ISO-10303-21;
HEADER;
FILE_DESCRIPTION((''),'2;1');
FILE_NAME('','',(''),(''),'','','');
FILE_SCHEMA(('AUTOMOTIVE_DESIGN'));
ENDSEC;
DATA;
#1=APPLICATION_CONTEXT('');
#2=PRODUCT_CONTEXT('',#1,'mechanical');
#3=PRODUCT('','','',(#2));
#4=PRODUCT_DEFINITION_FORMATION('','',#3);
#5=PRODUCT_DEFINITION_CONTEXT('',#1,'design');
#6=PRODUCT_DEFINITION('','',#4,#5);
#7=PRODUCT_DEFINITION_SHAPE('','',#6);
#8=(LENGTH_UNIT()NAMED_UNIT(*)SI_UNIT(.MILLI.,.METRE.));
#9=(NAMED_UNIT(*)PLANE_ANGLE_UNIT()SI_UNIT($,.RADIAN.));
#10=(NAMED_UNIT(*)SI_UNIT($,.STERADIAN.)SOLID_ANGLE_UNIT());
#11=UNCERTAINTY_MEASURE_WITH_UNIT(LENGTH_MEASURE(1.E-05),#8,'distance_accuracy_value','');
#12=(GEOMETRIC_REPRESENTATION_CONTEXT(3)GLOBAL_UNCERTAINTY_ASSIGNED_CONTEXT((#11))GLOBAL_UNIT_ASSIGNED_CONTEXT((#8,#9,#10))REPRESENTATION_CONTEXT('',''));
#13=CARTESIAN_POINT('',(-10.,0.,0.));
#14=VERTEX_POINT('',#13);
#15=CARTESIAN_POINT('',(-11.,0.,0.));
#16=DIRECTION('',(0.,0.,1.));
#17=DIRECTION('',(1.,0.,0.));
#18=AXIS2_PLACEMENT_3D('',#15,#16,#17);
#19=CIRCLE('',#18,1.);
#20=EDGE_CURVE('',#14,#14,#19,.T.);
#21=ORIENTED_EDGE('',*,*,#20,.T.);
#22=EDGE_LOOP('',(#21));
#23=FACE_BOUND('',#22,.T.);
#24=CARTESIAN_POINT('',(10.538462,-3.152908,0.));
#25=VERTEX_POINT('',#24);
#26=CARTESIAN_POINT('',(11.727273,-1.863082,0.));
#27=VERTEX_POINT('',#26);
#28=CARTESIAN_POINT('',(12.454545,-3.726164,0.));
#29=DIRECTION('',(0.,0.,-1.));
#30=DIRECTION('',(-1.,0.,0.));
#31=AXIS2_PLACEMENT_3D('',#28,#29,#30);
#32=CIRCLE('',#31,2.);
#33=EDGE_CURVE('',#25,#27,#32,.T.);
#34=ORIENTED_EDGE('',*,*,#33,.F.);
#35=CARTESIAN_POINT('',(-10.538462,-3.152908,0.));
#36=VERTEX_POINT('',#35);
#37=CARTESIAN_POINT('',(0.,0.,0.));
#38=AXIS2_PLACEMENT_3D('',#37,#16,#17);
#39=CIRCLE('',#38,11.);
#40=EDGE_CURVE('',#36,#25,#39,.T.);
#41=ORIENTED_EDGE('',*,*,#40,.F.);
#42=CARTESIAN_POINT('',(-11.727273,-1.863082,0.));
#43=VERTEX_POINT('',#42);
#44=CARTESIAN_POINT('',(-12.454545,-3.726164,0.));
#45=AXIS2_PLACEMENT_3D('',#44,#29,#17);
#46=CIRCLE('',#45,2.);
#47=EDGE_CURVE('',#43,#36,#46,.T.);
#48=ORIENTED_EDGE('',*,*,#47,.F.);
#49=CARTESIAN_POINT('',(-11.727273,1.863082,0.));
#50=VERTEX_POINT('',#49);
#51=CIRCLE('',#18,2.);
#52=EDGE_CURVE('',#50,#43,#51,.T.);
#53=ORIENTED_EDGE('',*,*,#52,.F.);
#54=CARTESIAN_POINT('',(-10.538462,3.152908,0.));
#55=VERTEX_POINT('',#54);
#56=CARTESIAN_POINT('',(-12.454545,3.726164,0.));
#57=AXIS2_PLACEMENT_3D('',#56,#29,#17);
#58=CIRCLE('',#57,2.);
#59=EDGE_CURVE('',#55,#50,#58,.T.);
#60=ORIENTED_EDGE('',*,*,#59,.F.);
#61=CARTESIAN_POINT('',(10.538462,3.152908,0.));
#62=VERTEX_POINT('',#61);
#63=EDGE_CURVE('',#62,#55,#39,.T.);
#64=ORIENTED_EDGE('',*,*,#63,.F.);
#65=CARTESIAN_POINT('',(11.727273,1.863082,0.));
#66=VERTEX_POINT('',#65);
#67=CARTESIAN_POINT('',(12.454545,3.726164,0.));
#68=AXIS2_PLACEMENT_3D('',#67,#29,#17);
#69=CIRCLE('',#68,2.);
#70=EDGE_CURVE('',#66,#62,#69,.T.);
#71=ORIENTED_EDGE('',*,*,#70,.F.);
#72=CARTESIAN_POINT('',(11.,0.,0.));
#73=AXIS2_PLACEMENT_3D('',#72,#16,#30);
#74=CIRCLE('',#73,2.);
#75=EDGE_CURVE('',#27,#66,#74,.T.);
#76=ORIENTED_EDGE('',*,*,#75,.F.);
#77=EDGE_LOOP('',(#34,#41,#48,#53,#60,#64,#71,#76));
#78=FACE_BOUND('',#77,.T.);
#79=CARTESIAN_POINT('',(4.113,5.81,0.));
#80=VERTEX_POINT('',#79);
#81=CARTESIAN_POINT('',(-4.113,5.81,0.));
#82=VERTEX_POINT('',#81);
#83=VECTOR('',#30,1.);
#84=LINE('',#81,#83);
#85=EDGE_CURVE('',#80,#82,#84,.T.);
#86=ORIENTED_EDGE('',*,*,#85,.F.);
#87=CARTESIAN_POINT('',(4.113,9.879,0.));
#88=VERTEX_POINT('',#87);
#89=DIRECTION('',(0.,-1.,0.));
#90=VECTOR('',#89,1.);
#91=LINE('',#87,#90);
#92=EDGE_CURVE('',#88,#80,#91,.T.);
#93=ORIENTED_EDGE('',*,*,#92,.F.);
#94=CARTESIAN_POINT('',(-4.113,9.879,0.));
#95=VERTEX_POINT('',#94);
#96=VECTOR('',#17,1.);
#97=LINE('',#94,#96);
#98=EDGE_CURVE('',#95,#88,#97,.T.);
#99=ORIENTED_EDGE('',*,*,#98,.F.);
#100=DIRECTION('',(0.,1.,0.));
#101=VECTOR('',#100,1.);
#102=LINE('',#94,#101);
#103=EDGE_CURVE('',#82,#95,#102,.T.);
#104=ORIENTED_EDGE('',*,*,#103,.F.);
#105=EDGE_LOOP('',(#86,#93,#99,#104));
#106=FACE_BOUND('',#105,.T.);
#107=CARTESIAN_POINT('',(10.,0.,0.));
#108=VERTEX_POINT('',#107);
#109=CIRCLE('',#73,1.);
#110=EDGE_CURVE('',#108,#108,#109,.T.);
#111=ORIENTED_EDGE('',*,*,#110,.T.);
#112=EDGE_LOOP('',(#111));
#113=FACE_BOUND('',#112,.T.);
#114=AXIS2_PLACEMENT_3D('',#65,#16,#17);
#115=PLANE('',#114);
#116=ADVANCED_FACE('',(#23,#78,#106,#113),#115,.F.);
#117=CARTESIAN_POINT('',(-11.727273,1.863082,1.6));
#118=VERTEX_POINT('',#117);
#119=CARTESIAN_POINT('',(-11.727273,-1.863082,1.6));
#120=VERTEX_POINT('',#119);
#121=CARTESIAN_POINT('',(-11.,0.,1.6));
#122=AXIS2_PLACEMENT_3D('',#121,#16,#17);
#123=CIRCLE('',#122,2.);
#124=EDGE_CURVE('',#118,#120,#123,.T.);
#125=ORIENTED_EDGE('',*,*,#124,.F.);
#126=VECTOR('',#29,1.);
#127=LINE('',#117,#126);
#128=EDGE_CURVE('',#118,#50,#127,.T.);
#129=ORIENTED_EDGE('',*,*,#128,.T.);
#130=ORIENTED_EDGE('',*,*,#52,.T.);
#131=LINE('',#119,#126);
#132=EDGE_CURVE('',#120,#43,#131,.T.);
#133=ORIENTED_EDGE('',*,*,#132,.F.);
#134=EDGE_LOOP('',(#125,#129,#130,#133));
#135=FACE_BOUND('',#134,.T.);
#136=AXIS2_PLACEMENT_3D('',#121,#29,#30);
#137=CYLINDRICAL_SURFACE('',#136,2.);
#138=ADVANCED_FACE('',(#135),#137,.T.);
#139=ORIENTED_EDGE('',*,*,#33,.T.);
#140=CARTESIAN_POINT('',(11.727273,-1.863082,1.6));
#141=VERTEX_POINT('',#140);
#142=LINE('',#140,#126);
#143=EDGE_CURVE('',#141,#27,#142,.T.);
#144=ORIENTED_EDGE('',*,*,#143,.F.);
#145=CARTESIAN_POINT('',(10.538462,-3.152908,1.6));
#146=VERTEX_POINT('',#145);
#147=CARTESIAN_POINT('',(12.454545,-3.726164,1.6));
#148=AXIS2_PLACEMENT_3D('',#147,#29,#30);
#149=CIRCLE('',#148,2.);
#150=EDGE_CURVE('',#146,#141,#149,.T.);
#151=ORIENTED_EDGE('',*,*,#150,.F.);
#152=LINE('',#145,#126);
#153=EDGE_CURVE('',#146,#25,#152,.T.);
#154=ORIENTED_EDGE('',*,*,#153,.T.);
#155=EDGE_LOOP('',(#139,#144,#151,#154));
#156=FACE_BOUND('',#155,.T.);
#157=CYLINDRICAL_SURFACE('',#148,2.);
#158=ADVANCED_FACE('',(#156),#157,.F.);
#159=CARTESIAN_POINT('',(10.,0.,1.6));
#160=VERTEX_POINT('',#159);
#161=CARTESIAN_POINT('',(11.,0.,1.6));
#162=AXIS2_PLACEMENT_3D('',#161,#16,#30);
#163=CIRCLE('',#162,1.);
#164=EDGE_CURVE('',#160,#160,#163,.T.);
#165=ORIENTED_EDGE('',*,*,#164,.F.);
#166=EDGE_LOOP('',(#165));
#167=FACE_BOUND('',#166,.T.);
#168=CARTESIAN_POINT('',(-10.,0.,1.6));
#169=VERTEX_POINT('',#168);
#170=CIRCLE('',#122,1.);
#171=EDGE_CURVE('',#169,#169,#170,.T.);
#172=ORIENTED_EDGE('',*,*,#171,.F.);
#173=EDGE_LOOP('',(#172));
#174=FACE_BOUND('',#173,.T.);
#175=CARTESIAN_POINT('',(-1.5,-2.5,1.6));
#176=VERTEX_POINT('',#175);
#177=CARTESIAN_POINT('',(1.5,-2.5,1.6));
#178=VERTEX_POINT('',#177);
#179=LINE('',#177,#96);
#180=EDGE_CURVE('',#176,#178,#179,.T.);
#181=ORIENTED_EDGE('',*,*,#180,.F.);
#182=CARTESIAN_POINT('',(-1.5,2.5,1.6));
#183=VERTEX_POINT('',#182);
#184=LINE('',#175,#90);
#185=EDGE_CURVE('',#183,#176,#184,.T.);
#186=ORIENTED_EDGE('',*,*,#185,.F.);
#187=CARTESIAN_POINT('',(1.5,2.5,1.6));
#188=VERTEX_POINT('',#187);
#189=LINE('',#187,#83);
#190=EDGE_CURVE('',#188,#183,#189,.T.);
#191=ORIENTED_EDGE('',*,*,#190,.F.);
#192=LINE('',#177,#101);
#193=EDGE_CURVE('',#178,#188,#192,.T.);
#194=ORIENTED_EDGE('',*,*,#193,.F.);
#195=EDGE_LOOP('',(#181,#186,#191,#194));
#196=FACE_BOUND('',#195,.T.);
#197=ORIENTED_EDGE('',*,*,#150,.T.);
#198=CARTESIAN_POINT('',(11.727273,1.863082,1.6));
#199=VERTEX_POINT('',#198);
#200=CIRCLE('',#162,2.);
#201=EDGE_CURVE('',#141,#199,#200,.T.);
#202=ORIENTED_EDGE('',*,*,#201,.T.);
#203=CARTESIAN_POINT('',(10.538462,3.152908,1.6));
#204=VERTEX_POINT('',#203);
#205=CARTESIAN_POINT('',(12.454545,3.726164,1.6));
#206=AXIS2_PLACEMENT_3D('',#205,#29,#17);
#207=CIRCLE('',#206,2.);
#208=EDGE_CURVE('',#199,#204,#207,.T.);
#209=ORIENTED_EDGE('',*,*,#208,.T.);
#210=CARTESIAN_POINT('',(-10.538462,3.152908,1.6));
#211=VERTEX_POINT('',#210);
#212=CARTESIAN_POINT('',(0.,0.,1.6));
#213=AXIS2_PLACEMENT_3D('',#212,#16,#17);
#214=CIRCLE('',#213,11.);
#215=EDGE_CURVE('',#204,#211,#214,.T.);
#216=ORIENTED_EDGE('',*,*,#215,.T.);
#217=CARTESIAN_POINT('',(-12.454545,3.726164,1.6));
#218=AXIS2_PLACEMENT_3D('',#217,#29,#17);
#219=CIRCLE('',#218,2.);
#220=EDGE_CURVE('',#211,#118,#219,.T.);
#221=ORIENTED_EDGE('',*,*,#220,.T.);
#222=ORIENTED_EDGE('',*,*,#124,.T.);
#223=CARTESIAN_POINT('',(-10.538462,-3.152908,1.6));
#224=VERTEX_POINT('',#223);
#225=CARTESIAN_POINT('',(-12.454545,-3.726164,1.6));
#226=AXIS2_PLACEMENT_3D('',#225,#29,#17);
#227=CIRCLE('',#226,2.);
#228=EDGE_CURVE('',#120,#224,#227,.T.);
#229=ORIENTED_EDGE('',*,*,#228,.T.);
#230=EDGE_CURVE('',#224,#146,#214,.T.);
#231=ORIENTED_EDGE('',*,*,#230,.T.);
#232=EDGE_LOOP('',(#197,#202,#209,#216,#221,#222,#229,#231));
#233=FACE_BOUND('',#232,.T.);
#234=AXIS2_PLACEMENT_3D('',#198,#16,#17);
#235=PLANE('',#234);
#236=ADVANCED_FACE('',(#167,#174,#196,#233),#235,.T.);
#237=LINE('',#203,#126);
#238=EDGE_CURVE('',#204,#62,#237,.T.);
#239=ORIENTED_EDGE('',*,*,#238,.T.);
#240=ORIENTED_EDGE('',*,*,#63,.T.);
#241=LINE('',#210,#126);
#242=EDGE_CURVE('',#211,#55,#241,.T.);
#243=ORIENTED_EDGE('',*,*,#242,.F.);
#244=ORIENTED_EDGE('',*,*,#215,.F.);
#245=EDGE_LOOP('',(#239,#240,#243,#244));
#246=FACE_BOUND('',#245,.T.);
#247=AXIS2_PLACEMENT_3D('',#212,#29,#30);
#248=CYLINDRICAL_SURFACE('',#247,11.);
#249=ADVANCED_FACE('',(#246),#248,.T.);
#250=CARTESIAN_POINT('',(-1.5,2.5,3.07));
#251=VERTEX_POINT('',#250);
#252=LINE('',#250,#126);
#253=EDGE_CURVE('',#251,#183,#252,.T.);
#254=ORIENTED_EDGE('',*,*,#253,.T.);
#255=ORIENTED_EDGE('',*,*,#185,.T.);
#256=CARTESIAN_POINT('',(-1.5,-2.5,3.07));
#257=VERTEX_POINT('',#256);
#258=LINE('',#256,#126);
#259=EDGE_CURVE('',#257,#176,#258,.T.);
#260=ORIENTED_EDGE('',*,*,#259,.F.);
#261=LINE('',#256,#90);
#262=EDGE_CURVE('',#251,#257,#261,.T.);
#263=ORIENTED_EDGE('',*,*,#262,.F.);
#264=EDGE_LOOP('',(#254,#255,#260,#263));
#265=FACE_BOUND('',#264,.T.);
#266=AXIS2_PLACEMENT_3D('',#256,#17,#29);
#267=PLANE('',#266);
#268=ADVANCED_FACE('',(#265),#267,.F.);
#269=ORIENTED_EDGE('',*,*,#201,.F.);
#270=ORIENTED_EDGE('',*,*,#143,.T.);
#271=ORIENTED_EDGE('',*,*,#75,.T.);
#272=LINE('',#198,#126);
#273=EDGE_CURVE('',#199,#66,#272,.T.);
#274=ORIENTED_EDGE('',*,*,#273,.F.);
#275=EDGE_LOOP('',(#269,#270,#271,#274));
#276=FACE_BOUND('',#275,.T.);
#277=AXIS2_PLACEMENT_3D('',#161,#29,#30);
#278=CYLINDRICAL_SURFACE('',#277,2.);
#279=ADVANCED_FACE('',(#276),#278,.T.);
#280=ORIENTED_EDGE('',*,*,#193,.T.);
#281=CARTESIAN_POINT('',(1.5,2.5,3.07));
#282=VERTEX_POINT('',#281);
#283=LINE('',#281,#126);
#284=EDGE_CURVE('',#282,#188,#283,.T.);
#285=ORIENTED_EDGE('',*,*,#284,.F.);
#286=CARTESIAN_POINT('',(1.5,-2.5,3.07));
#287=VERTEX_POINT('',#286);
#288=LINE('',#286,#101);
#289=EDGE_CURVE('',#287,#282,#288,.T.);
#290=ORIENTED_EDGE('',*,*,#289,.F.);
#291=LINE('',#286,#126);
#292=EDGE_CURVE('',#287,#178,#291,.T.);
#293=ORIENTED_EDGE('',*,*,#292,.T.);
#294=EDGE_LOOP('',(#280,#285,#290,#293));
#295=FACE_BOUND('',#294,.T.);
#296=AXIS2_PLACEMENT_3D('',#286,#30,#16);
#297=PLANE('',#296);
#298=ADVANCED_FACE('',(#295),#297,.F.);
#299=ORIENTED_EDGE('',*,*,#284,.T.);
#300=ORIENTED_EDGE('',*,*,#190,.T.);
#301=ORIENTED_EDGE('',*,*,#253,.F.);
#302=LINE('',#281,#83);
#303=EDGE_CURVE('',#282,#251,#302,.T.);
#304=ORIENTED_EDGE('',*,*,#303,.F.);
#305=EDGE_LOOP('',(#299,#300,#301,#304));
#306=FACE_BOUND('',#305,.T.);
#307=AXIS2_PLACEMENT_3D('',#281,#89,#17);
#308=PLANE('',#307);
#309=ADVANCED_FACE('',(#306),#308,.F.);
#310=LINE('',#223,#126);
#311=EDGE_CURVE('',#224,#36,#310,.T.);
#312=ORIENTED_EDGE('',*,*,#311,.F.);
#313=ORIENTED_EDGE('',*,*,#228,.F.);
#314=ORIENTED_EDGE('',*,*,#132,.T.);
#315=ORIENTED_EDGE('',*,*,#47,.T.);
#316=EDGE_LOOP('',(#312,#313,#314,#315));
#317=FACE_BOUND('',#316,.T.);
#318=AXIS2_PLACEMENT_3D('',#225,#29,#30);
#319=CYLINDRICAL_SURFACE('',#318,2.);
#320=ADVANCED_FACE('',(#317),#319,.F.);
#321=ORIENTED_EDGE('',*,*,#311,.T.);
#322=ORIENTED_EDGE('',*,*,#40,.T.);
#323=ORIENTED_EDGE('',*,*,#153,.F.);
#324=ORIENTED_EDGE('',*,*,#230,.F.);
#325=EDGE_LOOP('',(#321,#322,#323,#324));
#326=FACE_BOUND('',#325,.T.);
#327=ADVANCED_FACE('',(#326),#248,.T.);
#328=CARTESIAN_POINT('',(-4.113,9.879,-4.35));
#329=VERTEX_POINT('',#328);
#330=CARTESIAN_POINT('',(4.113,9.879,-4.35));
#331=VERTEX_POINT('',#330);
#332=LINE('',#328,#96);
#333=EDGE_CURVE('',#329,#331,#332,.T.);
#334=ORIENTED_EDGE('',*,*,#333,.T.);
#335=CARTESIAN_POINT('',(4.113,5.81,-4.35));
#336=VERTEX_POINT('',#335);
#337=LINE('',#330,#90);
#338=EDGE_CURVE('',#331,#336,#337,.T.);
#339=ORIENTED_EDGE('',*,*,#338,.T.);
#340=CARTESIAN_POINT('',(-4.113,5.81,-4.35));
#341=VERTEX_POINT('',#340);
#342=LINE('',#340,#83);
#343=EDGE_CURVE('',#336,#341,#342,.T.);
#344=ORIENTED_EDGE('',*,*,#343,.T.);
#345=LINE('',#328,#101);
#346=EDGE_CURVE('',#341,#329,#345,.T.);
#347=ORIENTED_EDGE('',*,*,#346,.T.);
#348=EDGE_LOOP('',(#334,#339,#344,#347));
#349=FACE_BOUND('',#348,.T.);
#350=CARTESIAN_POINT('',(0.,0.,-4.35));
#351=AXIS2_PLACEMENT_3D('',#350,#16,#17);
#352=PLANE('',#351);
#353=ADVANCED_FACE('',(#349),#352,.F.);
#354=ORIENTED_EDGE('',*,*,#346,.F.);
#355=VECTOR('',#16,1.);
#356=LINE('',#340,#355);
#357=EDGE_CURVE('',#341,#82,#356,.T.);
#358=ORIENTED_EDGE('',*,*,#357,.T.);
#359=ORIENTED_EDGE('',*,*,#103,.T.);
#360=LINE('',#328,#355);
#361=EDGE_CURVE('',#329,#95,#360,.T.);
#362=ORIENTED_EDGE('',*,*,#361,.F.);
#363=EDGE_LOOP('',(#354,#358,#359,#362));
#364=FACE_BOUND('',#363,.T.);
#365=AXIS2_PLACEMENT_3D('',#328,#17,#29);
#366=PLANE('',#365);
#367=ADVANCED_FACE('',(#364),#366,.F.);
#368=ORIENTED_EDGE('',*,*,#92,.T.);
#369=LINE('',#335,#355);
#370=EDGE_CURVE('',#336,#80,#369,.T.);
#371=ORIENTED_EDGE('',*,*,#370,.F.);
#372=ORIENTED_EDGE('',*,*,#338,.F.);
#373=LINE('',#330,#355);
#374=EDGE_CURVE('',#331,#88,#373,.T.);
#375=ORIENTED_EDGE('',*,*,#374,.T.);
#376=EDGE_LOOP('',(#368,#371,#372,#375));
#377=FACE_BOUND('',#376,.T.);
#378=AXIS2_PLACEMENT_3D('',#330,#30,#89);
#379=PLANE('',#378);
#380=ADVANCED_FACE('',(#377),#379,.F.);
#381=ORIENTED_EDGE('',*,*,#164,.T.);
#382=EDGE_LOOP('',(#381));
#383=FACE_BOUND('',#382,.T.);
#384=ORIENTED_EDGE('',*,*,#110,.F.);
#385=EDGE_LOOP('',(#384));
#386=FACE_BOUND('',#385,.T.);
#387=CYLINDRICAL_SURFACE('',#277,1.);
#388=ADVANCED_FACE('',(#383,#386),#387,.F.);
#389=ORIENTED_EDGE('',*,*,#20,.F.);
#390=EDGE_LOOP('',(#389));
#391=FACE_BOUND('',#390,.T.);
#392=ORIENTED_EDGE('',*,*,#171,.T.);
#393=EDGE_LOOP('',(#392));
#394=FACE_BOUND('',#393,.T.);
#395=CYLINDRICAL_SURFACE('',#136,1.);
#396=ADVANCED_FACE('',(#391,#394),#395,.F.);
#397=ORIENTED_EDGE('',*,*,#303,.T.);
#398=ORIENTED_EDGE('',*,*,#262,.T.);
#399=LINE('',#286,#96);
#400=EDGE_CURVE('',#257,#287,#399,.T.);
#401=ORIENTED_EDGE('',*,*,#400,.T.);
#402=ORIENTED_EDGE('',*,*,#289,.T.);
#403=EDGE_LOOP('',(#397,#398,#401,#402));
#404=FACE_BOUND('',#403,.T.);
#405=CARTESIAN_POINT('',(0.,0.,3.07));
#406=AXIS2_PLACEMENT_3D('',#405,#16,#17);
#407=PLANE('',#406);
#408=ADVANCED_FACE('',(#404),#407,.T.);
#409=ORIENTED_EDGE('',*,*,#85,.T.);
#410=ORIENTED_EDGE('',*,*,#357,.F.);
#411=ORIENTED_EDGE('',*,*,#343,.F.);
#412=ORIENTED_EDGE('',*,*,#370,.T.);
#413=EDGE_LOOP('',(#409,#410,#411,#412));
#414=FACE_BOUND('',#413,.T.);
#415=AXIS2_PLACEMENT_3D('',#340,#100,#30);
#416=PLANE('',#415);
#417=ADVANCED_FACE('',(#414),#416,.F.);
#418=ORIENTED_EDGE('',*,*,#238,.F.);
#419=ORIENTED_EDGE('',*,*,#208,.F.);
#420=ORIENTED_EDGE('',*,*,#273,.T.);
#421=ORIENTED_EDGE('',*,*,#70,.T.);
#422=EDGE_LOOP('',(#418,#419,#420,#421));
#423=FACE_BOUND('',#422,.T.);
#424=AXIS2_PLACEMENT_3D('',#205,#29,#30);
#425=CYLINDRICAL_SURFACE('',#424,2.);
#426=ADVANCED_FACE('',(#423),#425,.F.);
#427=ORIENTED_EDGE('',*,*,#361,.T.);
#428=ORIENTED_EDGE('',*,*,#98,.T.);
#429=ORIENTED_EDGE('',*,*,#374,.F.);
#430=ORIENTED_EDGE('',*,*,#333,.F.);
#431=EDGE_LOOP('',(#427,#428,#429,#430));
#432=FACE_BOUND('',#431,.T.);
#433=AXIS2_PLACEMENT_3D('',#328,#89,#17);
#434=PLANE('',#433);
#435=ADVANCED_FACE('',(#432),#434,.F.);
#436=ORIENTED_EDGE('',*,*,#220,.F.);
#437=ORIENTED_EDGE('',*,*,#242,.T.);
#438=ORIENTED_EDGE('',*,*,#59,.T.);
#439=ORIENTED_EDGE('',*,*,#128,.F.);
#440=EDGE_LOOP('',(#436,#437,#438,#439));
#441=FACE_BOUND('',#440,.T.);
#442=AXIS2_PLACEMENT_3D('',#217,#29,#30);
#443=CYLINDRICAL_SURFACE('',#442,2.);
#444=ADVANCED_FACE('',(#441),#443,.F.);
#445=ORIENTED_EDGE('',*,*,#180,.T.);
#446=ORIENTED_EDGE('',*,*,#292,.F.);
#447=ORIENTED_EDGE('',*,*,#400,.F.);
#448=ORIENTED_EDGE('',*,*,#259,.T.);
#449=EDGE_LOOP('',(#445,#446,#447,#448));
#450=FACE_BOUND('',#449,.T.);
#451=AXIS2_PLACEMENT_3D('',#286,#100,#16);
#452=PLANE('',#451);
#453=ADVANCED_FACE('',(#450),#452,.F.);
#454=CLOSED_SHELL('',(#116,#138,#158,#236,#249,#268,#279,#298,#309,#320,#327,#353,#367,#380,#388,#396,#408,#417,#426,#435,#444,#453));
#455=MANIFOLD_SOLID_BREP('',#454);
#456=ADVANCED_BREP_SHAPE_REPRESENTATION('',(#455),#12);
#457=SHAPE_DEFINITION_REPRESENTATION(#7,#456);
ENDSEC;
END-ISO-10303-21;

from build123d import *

# Parameters (mm, degrees)
SKETCH_1_R      = 1
EXTRUDE_1_DEPTH = 1.6
SKETCH_2_W      = 3
SKETCH_2_H      = 5
EXTRUDE_2_DEPTH = 1.47
SKETCH_3_W      = 8.226
SKETCH_3_H      = 4.069
EXTRUDE_3_DEPTH = 4.35


with BuildPart() as part:
    # 草图1 → 凸台-拉伸1 (new body)
    with BuildSketch(Plane.XY):
        with BuildLine():
            ThreePointArc((-10.538461538, -3.152907928), (0, -11), (10.538461538, -3.152907928))
            ThreePointArc((10.538461538, -3.152907928), (10.98391758, -2.370710612), (11.727272727, -1.863081957))
            ThreePointArc((11.727272727, -1.863081957), (13, 0), (11.727272727, 1.863081957))
            ThreePointArc((11.727272727, 1.863081957), (10.98391758, 2.370710612), (10.538461538, 3.152907928))
            ThreePointArc((10.538461538, 3.152907928), (0, 11), (-10.538461538, 3.152907928))
            ThreePointArc((-10.538461538, 3.152907928), (-10.98391758, 2.370710612), (-11.727272727, 1.863081957))
            ThreePointArc((-11.727272727, 1.863081957), (-13, 0), (-11.727272727, -1.863081957))
            ThreePointArc((-11.727272727, -1.863081957), (-10.98391758, -2.370710612), (-10.538461538, -3.152907928))
        make_face()
        with Locations((-11, 0)):
            Circle(SKETCH_1_R, mode=Mode.SUBTRACT)
        with Locations((11, 0)):
            Circle(SKETCH_1_R, mode=Mode.SUBTRACT)
    extrude(amount=EXTRUDE_1_DEPTH)

    # 草图2 → 凸台-拉伸2 (add)
    with BuildSketch(Plane.XY.offset(1.6)):
        Rectangle(SKETCH_2_W, SKETCH_2_H)
    extrude(amount=EXTRUDE_2_DEPTH)

    # 草图3 → 凸台-拉伸3 (add)
    with BuildSketch(Plane(origin=(0, 0, 0), x_dir=(-1, 0, 0), z_dir=(0, 0, -1))):
        with Locations((0, 7.8445)):
            Rectangle(SKETCH_3_W, SKETCH_3_H)
    extrude(amount=EXTRUDE_3_DEPTH)


solid = part.part
